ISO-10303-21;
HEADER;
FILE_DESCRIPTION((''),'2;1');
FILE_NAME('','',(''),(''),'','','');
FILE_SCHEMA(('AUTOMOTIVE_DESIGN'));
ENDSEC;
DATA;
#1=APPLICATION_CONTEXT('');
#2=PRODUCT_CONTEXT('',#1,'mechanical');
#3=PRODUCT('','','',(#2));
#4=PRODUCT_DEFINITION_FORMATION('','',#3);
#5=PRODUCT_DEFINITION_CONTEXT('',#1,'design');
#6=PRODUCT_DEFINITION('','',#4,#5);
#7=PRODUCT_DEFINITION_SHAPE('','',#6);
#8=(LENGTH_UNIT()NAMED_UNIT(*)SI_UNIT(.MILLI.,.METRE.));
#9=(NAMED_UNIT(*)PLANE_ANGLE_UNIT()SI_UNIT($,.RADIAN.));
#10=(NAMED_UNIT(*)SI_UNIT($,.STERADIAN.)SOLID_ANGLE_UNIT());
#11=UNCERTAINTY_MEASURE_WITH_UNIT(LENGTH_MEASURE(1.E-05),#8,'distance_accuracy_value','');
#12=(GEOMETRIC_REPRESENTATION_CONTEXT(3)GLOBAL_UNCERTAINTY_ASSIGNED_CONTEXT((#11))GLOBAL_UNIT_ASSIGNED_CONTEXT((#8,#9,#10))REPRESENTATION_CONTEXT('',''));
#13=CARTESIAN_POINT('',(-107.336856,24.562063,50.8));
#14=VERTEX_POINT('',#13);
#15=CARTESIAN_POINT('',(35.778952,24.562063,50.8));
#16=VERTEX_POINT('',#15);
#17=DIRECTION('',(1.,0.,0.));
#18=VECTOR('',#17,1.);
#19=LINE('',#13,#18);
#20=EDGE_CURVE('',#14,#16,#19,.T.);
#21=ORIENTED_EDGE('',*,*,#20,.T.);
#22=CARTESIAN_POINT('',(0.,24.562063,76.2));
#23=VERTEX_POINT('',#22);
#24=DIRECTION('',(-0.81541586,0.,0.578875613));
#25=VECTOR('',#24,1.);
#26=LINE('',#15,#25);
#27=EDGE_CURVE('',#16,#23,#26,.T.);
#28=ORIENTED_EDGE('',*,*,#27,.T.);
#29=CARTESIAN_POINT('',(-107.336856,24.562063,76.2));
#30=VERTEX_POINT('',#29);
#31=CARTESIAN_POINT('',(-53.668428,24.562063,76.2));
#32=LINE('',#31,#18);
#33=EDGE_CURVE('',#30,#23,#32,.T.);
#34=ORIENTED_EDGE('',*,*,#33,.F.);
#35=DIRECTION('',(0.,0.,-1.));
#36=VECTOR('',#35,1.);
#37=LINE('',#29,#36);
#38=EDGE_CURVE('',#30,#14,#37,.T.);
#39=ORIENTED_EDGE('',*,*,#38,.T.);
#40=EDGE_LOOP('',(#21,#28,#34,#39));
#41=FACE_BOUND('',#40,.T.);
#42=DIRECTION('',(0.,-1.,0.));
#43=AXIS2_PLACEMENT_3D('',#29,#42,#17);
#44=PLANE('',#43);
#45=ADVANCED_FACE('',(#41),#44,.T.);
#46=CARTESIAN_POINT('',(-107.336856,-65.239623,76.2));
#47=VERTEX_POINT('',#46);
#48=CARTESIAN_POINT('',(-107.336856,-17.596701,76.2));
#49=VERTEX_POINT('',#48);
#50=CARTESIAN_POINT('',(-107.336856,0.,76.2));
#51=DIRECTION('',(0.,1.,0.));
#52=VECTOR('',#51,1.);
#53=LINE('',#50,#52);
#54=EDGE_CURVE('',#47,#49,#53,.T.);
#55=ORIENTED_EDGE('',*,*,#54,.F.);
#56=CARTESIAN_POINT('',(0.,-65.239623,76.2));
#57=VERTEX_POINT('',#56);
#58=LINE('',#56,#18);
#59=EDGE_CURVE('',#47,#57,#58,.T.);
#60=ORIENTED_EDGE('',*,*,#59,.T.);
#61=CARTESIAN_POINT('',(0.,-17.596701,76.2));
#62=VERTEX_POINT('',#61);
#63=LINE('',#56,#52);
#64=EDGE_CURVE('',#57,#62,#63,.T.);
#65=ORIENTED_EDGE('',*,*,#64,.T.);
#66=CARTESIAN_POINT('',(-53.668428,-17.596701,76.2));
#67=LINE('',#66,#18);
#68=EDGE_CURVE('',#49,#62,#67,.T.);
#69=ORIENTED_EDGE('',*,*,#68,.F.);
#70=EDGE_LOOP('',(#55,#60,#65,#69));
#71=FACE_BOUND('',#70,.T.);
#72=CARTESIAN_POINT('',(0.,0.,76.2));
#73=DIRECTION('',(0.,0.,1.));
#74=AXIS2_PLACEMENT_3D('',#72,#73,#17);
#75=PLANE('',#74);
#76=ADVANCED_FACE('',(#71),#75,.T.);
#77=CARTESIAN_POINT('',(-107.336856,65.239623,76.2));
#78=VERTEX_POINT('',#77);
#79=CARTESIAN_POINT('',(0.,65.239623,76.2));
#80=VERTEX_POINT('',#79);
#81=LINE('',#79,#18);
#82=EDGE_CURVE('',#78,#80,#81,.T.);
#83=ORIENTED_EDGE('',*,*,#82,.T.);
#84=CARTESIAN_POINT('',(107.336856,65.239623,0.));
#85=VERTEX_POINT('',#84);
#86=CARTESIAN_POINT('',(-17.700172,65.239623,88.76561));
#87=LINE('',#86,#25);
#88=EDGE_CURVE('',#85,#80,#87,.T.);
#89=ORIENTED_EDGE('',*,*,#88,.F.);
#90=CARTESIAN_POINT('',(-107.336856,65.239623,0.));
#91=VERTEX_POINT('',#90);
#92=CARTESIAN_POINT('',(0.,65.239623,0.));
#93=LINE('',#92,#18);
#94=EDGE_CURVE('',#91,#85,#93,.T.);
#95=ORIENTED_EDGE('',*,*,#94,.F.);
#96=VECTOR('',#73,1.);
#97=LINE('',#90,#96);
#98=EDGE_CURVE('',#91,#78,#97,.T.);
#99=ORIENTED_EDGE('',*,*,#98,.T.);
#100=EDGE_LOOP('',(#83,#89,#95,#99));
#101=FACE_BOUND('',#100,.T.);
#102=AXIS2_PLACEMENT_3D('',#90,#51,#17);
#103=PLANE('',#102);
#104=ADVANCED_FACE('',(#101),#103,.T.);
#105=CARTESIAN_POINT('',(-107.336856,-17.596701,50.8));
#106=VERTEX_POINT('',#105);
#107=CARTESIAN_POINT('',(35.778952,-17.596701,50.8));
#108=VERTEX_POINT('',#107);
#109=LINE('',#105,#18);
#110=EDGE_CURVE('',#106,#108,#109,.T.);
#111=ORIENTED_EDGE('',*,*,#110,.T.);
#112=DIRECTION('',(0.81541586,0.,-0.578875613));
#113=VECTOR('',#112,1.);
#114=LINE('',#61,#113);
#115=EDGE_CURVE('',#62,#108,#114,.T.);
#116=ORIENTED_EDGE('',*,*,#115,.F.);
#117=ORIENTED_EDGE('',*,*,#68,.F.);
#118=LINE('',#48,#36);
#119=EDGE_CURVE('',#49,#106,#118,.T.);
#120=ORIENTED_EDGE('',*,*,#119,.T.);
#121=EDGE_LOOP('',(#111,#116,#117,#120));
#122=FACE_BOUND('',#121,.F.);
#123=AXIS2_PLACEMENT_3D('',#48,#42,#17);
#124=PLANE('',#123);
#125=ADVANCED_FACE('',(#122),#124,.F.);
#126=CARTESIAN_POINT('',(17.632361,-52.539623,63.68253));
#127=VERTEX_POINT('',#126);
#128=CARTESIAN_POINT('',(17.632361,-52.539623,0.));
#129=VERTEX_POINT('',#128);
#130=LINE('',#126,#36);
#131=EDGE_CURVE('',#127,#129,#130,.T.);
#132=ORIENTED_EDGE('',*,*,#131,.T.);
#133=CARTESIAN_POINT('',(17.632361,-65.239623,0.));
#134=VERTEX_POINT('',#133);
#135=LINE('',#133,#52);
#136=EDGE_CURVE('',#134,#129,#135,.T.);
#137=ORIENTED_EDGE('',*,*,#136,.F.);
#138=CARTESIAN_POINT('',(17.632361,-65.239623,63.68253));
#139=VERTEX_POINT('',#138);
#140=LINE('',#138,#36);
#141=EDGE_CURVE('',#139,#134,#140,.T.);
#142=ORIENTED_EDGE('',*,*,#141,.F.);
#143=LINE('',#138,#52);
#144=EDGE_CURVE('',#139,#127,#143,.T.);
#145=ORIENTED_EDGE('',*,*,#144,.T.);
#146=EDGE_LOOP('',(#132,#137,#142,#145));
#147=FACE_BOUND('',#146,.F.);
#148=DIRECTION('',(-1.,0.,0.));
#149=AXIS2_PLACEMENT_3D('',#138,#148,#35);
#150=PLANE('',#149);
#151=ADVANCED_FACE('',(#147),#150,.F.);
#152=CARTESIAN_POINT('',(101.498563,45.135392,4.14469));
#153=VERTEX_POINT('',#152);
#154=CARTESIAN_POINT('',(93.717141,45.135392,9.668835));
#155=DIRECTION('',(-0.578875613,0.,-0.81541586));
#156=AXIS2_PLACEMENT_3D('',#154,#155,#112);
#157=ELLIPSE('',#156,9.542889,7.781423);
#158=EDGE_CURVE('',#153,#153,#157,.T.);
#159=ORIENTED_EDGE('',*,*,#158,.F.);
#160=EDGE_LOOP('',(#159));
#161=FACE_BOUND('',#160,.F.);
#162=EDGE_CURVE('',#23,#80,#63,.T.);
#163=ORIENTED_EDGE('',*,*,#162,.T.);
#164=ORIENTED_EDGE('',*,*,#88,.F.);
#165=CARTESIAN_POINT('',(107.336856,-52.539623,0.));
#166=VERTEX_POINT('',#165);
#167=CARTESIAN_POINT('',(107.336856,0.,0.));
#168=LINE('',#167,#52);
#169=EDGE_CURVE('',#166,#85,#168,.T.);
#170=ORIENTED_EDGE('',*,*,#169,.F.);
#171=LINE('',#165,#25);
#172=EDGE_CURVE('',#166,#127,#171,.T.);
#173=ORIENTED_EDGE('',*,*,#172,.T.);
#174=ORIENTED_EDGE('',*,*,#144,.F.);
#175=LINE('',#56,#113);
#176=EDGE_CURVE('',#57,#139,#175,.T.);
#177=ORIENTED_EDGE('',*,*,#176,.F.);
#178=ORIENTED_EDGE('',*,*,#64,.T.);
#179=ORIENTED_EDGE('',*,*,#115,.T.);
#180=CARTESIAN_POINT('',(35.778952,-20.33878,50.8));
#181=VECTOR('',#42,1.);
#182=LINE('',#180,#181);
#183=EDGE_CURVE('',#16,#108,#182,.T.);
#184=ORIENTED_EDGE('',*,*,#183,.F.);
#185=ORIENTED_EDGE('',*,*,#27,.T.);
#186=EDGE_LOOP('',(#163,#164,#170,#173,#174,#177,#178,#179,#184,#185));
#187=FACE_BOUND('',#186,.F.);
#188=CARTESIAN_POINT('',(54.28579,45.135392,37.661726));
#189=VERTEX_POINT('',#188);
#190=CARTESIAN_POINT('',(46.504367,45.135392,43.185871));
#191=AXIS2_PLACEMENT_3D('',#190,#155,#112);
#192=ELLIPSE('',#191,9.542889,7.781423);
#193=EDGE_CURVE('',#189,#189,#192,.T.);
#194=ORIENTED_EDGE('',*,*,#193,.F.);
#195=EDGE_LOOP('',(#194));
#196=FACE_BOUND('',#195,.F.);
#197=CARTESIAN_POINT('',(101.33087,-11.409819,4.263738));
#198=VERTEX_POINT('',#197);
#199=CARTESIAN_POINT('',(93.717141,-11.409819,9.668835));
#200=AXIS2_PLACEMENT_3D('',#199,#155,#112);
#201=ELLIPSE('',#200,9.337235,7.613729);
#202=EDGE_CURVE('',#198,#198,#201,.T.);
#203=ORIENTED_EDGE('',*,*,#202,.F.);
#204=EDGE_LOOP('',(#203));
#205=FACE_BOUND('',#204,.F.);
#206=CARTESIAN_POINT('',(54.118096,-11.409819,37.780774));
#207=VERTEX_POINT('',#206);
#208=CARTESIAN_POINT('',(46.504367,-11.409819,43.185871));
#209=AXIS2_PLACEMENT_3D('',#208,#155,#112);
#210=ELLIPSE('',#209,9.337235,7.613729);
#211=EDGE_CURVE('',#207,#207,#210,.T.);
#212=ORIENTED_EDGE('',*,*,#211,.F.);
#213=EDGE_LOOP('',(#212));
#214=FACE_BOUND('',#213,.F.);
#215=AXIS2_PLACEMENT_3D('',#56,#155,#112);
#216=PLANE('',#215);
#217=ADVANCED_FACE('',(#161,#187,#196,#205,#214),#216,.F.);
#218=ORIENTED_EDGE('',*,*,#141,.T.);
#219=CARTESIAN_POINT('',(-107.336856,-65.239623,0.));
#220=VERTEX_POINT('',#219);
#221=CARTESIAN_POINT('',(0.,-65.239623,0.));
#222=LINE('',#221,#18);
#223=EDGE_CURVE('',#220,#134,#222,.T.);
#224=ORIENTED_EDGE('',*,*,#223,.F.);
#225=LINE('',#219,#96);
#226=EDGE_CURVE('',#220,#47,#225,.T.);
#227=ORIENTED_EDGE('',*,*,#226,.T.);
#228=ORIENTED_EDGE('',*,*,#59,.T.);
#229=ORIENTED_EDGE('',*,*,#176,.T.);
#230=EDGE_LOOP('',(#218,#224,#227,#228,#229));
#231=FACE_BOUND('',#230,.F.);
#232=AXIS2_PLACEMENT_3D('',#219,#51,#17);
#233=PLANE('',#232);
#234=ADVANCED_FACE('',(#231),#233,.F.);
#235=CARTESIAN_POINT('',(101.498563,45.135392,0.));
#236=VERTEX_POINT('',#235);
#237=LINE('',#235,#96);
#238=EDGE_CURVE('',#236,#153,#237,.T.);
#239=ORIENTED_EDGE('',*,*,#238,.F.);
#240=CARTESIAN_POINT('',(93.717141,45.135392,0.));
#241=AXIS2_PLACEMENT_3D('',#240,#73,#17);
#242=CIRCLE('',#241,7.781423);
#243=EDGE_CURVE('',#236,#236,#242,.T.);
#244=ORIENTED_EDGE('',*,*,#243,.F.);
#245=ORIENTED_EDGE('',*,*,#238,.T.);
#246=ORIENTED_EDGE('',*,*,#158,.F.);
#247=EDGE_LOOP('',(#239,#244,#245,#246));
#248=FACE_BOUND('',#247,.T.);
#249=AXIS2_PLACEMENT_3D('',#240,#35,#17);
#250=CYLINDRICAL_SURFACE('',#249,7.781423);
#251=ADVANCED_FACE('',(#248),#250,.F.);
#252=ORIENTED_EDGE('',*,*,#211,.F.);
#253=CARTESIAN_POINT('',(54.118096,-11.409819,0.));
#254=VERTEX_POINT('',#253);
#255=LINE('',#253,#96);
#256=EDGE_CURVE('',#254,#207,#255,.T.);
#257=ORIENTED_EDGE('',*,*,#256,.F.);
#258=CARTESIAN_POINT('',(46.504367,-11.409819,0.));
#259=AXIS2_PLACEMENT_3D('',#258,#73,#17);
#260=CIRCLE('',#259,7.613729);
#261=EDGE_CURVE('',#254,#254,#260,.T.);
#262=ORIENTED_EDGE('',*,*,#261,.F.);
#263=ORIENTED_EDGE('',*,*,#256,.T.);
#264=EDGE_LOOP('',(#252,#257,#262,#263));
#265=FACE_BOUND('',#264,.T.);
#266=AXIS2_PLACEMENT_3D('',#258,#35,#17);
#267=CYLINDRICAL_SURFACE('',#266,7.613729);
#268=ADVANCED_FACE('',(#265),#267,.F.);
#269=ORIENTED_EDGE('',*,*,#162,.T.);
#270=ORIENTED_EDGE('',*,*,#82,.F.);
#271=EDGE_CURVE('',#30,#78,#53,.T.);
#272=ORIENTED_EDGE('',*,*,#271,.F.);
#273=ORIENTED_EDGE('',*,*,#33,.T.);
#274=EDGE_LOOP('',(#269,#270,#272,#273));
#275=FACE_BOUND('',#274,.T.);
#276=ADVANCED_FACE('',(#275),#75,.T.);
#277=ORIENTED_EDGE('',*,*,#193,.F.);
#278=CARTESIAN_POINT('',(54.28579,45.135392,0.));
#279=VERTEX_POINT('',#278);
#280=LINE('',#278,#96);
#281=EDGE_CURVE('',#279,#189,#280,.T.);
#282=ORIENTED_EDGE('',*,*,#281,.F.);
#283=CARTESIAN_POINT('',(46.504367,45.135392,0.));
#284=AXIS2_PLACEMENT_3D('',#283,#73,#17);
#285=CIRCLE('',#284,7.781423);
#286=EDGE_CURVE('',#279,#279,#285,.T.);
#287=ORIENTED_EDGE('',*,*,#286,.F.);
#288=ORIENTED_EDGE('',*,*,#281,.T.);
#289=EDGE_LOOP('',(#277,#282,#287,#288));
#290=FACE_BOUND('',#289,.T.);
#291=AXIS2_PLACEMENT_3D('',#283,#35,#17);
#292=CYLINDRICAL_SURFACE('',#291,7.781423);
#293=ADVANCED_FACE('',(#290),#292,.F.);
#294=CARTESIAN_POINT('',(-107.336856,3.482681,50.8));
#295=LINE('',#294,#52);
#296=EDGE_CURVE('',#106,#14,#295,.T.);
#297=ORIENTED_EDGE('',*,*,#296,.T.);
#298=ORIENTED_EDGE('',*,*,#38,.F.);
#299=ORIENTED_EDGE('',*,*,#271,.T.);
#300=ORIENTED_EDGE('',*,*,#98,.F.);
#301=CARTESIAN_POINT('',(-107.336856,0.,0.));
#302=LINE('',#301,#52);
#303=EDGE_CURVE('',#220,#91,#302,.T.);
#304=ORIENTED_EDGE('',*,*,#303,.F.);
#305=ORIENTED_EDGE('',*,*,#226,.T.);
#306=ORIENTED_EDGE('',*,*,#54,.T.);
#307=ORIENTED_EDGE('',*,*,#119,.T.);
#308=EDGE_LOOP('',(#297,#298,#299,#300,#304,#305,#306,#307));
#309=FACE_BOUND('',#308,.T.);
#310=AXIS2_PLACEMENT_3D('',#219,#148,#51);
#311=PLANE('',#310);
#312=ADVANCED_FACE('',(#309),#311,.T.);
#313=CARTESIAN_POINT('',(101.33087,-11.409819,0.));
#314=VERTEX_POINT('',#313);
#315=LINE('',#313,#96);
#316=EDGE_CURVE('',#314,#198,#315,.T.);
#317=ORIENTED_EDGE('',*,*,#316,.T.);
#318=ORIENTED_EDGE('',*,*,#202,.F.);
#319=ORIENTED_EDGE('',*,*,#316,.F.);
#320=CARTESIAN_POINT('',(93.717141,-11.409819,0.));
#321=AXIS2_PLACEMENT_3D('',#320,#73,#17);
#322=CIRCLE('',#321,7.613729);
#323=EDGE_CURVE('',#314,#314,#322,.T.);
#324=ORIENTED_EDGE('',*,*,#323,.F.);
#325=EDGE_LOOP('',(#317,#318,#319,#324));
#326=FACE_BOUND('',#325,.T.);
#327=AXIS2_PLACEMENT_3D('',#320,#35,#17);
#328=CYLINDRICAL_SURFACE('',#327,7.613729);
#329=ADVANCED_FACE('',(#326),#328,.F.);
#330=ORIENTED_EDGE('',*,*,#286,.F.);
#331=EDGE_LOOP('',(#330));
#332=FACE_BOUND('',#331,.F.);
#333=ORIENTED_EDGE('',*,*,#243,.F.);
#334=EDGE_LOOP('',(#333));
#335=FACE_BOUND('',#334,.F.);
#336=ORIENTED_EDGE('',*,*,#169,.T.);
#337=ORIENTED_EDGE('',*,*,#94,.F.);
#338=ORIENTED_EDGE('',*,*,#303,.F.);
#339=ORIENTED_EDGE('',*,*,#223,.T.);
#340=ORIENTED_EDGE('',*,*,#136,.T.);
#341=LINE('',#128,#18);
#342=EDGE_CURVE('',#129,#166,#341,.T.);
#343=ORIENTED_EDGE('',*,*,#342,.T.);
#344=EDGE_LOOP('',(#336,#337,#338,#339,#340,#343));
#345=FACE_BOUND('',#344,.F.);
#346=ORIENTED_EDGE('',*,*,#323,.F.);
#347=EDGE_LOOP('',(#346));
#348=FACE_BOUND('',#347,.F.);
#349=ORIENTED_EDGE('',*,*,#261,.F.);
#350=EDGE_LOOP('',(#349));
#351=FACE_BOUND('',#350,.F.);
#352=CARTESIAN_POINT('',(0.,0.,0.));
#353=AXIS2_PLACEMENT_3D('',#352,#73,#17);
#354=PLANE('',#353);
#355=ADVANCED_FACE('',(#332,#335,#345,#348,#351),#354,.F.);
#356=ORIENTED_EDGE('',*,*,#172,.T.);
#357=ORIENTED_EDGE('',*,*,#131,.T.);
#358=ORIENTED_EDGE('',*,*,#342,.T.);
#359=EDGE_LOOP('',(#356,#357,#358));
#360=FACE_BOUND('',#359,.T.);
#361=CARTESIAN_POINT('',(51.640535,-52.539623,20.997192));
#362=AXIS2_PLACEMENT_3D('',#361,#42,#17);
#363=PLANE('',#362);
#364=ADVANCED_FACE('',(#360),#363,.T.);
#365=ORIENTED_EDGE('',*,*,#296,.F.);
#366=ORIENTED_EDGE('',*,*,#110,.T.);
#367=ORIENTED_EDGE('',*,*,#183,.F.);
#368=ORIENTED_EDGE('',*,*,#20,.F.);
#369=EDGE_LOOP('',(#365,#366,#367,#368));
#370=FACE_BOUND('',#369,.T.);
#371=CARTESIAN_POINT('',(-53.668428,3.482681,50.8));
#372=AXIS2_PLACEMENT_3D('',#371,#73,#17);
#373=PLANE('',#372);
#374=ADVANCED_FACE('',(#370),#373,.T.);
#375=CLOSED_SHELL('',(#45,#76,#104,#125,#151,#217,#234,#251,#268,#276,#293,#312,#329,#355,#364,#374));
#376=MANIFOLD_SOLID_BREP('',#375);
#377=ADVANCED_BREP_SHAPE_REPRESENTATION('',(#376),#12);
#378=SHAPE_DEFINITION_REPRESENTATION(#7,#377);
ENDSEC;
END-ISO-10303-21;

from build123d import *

# Parameters (mm, degrees)
F0_W      = 214.6737128496
F0_H      = 130.4792463779
F1_DEPTH  = 76.2
F3_DEPTH  = 2540
F4_W      = 107.3368564248
F4_H      = 42.1587638557
F5_DEPTH  = 25.4
F6_W      = 42.1587638557
F6_H      = 25.4
F7_DEPTH  = 25.4
F8_DEPTH  = 25.4
F10_DEPTH = 12.7
F11_R     = 7.7814226796
F11_R_2   = 7.6137292191
F12_DEPTH = 76.201


with BuildPart() as f1:
    # F0 (on Top) → F1 (new body)
    with BuildSketch(Plane.XY):
        Rectangle(F0_W, F0_H)
    extrude(amount=F1_DEPTH)

    # F2 (on face) → F3 (cut)
    with BuildSketch(Plane.XZ.offset(65.239623189)):
        Polygon((107.3368564248, 76.2), (0, 76.2), (107.3368564248, 0), align=None)
    extrude(amount=-F3_DEPTH, mode=Mode.SUBTRACT)

    # F4 (on face) → F5 (cut)
    with BuildSketch(Plane.XY.offset(76.2)):
        with Locations((-53.6684282124, 3.4826807678)):
            Rectangle(F4_W, F4_H)
    extrude(amount=-F5_DEPTH, mode=Mode.SUBTRACT)

    # F6 (on face) → F7 (cut)
    with BuildSketch(Plane(origin=(0, 0, 0), x_dir=(0, -1, 0), z_dir=(-1, 0, 0))):
        with Locations((-3.4826807678, 63.5)):
            Rectangle(F6_W, F6_H)
    extrude(amount=-F7_DEPTH, mode=Mode.SUBTRACT)

    # F8 (cut): a face of the model
    f8_faces = [f1.faces().sort_by_distance(p)[0] for p in [
        (25.4, 3.4826807678, 54.4840847568),
    ]]
    extrude(f8_faces, amount=-F8_DEPTH, mode=Mode.SUBTRACT)

    # F9 (on face) → F10 (cut)
    with BuildSketch(Plane.XZ.offset(65.239623189)):
        Polygon((107.3368564248, 0), (17.6323605159, 63.6825300827), (17.6323605159, 0), align=None)
    extrude(amount=-F10_DEPTH, mode=Mode.SUBTRACT)

    # F11 (on Top) → F12 (cut, through all)
    with BuildSketch(Plane.XY):
        with Locations((46.5043671429, 45.1353924804)):
            Circle(F11_R)
        with Locations((46.5043671429, -11.4098191261)):
            Circle(F11_R_2)
        with Locations((93.7171405072, -11.4098191261)):
            Circle(F11_R_2)
        with Locations((93.7171405072, 45.1353924804)):
            Circle(F11_R)
    extrude(amount=F12_DEPTH, mode=Mode.SUBTRACT)


solid = f1.part
